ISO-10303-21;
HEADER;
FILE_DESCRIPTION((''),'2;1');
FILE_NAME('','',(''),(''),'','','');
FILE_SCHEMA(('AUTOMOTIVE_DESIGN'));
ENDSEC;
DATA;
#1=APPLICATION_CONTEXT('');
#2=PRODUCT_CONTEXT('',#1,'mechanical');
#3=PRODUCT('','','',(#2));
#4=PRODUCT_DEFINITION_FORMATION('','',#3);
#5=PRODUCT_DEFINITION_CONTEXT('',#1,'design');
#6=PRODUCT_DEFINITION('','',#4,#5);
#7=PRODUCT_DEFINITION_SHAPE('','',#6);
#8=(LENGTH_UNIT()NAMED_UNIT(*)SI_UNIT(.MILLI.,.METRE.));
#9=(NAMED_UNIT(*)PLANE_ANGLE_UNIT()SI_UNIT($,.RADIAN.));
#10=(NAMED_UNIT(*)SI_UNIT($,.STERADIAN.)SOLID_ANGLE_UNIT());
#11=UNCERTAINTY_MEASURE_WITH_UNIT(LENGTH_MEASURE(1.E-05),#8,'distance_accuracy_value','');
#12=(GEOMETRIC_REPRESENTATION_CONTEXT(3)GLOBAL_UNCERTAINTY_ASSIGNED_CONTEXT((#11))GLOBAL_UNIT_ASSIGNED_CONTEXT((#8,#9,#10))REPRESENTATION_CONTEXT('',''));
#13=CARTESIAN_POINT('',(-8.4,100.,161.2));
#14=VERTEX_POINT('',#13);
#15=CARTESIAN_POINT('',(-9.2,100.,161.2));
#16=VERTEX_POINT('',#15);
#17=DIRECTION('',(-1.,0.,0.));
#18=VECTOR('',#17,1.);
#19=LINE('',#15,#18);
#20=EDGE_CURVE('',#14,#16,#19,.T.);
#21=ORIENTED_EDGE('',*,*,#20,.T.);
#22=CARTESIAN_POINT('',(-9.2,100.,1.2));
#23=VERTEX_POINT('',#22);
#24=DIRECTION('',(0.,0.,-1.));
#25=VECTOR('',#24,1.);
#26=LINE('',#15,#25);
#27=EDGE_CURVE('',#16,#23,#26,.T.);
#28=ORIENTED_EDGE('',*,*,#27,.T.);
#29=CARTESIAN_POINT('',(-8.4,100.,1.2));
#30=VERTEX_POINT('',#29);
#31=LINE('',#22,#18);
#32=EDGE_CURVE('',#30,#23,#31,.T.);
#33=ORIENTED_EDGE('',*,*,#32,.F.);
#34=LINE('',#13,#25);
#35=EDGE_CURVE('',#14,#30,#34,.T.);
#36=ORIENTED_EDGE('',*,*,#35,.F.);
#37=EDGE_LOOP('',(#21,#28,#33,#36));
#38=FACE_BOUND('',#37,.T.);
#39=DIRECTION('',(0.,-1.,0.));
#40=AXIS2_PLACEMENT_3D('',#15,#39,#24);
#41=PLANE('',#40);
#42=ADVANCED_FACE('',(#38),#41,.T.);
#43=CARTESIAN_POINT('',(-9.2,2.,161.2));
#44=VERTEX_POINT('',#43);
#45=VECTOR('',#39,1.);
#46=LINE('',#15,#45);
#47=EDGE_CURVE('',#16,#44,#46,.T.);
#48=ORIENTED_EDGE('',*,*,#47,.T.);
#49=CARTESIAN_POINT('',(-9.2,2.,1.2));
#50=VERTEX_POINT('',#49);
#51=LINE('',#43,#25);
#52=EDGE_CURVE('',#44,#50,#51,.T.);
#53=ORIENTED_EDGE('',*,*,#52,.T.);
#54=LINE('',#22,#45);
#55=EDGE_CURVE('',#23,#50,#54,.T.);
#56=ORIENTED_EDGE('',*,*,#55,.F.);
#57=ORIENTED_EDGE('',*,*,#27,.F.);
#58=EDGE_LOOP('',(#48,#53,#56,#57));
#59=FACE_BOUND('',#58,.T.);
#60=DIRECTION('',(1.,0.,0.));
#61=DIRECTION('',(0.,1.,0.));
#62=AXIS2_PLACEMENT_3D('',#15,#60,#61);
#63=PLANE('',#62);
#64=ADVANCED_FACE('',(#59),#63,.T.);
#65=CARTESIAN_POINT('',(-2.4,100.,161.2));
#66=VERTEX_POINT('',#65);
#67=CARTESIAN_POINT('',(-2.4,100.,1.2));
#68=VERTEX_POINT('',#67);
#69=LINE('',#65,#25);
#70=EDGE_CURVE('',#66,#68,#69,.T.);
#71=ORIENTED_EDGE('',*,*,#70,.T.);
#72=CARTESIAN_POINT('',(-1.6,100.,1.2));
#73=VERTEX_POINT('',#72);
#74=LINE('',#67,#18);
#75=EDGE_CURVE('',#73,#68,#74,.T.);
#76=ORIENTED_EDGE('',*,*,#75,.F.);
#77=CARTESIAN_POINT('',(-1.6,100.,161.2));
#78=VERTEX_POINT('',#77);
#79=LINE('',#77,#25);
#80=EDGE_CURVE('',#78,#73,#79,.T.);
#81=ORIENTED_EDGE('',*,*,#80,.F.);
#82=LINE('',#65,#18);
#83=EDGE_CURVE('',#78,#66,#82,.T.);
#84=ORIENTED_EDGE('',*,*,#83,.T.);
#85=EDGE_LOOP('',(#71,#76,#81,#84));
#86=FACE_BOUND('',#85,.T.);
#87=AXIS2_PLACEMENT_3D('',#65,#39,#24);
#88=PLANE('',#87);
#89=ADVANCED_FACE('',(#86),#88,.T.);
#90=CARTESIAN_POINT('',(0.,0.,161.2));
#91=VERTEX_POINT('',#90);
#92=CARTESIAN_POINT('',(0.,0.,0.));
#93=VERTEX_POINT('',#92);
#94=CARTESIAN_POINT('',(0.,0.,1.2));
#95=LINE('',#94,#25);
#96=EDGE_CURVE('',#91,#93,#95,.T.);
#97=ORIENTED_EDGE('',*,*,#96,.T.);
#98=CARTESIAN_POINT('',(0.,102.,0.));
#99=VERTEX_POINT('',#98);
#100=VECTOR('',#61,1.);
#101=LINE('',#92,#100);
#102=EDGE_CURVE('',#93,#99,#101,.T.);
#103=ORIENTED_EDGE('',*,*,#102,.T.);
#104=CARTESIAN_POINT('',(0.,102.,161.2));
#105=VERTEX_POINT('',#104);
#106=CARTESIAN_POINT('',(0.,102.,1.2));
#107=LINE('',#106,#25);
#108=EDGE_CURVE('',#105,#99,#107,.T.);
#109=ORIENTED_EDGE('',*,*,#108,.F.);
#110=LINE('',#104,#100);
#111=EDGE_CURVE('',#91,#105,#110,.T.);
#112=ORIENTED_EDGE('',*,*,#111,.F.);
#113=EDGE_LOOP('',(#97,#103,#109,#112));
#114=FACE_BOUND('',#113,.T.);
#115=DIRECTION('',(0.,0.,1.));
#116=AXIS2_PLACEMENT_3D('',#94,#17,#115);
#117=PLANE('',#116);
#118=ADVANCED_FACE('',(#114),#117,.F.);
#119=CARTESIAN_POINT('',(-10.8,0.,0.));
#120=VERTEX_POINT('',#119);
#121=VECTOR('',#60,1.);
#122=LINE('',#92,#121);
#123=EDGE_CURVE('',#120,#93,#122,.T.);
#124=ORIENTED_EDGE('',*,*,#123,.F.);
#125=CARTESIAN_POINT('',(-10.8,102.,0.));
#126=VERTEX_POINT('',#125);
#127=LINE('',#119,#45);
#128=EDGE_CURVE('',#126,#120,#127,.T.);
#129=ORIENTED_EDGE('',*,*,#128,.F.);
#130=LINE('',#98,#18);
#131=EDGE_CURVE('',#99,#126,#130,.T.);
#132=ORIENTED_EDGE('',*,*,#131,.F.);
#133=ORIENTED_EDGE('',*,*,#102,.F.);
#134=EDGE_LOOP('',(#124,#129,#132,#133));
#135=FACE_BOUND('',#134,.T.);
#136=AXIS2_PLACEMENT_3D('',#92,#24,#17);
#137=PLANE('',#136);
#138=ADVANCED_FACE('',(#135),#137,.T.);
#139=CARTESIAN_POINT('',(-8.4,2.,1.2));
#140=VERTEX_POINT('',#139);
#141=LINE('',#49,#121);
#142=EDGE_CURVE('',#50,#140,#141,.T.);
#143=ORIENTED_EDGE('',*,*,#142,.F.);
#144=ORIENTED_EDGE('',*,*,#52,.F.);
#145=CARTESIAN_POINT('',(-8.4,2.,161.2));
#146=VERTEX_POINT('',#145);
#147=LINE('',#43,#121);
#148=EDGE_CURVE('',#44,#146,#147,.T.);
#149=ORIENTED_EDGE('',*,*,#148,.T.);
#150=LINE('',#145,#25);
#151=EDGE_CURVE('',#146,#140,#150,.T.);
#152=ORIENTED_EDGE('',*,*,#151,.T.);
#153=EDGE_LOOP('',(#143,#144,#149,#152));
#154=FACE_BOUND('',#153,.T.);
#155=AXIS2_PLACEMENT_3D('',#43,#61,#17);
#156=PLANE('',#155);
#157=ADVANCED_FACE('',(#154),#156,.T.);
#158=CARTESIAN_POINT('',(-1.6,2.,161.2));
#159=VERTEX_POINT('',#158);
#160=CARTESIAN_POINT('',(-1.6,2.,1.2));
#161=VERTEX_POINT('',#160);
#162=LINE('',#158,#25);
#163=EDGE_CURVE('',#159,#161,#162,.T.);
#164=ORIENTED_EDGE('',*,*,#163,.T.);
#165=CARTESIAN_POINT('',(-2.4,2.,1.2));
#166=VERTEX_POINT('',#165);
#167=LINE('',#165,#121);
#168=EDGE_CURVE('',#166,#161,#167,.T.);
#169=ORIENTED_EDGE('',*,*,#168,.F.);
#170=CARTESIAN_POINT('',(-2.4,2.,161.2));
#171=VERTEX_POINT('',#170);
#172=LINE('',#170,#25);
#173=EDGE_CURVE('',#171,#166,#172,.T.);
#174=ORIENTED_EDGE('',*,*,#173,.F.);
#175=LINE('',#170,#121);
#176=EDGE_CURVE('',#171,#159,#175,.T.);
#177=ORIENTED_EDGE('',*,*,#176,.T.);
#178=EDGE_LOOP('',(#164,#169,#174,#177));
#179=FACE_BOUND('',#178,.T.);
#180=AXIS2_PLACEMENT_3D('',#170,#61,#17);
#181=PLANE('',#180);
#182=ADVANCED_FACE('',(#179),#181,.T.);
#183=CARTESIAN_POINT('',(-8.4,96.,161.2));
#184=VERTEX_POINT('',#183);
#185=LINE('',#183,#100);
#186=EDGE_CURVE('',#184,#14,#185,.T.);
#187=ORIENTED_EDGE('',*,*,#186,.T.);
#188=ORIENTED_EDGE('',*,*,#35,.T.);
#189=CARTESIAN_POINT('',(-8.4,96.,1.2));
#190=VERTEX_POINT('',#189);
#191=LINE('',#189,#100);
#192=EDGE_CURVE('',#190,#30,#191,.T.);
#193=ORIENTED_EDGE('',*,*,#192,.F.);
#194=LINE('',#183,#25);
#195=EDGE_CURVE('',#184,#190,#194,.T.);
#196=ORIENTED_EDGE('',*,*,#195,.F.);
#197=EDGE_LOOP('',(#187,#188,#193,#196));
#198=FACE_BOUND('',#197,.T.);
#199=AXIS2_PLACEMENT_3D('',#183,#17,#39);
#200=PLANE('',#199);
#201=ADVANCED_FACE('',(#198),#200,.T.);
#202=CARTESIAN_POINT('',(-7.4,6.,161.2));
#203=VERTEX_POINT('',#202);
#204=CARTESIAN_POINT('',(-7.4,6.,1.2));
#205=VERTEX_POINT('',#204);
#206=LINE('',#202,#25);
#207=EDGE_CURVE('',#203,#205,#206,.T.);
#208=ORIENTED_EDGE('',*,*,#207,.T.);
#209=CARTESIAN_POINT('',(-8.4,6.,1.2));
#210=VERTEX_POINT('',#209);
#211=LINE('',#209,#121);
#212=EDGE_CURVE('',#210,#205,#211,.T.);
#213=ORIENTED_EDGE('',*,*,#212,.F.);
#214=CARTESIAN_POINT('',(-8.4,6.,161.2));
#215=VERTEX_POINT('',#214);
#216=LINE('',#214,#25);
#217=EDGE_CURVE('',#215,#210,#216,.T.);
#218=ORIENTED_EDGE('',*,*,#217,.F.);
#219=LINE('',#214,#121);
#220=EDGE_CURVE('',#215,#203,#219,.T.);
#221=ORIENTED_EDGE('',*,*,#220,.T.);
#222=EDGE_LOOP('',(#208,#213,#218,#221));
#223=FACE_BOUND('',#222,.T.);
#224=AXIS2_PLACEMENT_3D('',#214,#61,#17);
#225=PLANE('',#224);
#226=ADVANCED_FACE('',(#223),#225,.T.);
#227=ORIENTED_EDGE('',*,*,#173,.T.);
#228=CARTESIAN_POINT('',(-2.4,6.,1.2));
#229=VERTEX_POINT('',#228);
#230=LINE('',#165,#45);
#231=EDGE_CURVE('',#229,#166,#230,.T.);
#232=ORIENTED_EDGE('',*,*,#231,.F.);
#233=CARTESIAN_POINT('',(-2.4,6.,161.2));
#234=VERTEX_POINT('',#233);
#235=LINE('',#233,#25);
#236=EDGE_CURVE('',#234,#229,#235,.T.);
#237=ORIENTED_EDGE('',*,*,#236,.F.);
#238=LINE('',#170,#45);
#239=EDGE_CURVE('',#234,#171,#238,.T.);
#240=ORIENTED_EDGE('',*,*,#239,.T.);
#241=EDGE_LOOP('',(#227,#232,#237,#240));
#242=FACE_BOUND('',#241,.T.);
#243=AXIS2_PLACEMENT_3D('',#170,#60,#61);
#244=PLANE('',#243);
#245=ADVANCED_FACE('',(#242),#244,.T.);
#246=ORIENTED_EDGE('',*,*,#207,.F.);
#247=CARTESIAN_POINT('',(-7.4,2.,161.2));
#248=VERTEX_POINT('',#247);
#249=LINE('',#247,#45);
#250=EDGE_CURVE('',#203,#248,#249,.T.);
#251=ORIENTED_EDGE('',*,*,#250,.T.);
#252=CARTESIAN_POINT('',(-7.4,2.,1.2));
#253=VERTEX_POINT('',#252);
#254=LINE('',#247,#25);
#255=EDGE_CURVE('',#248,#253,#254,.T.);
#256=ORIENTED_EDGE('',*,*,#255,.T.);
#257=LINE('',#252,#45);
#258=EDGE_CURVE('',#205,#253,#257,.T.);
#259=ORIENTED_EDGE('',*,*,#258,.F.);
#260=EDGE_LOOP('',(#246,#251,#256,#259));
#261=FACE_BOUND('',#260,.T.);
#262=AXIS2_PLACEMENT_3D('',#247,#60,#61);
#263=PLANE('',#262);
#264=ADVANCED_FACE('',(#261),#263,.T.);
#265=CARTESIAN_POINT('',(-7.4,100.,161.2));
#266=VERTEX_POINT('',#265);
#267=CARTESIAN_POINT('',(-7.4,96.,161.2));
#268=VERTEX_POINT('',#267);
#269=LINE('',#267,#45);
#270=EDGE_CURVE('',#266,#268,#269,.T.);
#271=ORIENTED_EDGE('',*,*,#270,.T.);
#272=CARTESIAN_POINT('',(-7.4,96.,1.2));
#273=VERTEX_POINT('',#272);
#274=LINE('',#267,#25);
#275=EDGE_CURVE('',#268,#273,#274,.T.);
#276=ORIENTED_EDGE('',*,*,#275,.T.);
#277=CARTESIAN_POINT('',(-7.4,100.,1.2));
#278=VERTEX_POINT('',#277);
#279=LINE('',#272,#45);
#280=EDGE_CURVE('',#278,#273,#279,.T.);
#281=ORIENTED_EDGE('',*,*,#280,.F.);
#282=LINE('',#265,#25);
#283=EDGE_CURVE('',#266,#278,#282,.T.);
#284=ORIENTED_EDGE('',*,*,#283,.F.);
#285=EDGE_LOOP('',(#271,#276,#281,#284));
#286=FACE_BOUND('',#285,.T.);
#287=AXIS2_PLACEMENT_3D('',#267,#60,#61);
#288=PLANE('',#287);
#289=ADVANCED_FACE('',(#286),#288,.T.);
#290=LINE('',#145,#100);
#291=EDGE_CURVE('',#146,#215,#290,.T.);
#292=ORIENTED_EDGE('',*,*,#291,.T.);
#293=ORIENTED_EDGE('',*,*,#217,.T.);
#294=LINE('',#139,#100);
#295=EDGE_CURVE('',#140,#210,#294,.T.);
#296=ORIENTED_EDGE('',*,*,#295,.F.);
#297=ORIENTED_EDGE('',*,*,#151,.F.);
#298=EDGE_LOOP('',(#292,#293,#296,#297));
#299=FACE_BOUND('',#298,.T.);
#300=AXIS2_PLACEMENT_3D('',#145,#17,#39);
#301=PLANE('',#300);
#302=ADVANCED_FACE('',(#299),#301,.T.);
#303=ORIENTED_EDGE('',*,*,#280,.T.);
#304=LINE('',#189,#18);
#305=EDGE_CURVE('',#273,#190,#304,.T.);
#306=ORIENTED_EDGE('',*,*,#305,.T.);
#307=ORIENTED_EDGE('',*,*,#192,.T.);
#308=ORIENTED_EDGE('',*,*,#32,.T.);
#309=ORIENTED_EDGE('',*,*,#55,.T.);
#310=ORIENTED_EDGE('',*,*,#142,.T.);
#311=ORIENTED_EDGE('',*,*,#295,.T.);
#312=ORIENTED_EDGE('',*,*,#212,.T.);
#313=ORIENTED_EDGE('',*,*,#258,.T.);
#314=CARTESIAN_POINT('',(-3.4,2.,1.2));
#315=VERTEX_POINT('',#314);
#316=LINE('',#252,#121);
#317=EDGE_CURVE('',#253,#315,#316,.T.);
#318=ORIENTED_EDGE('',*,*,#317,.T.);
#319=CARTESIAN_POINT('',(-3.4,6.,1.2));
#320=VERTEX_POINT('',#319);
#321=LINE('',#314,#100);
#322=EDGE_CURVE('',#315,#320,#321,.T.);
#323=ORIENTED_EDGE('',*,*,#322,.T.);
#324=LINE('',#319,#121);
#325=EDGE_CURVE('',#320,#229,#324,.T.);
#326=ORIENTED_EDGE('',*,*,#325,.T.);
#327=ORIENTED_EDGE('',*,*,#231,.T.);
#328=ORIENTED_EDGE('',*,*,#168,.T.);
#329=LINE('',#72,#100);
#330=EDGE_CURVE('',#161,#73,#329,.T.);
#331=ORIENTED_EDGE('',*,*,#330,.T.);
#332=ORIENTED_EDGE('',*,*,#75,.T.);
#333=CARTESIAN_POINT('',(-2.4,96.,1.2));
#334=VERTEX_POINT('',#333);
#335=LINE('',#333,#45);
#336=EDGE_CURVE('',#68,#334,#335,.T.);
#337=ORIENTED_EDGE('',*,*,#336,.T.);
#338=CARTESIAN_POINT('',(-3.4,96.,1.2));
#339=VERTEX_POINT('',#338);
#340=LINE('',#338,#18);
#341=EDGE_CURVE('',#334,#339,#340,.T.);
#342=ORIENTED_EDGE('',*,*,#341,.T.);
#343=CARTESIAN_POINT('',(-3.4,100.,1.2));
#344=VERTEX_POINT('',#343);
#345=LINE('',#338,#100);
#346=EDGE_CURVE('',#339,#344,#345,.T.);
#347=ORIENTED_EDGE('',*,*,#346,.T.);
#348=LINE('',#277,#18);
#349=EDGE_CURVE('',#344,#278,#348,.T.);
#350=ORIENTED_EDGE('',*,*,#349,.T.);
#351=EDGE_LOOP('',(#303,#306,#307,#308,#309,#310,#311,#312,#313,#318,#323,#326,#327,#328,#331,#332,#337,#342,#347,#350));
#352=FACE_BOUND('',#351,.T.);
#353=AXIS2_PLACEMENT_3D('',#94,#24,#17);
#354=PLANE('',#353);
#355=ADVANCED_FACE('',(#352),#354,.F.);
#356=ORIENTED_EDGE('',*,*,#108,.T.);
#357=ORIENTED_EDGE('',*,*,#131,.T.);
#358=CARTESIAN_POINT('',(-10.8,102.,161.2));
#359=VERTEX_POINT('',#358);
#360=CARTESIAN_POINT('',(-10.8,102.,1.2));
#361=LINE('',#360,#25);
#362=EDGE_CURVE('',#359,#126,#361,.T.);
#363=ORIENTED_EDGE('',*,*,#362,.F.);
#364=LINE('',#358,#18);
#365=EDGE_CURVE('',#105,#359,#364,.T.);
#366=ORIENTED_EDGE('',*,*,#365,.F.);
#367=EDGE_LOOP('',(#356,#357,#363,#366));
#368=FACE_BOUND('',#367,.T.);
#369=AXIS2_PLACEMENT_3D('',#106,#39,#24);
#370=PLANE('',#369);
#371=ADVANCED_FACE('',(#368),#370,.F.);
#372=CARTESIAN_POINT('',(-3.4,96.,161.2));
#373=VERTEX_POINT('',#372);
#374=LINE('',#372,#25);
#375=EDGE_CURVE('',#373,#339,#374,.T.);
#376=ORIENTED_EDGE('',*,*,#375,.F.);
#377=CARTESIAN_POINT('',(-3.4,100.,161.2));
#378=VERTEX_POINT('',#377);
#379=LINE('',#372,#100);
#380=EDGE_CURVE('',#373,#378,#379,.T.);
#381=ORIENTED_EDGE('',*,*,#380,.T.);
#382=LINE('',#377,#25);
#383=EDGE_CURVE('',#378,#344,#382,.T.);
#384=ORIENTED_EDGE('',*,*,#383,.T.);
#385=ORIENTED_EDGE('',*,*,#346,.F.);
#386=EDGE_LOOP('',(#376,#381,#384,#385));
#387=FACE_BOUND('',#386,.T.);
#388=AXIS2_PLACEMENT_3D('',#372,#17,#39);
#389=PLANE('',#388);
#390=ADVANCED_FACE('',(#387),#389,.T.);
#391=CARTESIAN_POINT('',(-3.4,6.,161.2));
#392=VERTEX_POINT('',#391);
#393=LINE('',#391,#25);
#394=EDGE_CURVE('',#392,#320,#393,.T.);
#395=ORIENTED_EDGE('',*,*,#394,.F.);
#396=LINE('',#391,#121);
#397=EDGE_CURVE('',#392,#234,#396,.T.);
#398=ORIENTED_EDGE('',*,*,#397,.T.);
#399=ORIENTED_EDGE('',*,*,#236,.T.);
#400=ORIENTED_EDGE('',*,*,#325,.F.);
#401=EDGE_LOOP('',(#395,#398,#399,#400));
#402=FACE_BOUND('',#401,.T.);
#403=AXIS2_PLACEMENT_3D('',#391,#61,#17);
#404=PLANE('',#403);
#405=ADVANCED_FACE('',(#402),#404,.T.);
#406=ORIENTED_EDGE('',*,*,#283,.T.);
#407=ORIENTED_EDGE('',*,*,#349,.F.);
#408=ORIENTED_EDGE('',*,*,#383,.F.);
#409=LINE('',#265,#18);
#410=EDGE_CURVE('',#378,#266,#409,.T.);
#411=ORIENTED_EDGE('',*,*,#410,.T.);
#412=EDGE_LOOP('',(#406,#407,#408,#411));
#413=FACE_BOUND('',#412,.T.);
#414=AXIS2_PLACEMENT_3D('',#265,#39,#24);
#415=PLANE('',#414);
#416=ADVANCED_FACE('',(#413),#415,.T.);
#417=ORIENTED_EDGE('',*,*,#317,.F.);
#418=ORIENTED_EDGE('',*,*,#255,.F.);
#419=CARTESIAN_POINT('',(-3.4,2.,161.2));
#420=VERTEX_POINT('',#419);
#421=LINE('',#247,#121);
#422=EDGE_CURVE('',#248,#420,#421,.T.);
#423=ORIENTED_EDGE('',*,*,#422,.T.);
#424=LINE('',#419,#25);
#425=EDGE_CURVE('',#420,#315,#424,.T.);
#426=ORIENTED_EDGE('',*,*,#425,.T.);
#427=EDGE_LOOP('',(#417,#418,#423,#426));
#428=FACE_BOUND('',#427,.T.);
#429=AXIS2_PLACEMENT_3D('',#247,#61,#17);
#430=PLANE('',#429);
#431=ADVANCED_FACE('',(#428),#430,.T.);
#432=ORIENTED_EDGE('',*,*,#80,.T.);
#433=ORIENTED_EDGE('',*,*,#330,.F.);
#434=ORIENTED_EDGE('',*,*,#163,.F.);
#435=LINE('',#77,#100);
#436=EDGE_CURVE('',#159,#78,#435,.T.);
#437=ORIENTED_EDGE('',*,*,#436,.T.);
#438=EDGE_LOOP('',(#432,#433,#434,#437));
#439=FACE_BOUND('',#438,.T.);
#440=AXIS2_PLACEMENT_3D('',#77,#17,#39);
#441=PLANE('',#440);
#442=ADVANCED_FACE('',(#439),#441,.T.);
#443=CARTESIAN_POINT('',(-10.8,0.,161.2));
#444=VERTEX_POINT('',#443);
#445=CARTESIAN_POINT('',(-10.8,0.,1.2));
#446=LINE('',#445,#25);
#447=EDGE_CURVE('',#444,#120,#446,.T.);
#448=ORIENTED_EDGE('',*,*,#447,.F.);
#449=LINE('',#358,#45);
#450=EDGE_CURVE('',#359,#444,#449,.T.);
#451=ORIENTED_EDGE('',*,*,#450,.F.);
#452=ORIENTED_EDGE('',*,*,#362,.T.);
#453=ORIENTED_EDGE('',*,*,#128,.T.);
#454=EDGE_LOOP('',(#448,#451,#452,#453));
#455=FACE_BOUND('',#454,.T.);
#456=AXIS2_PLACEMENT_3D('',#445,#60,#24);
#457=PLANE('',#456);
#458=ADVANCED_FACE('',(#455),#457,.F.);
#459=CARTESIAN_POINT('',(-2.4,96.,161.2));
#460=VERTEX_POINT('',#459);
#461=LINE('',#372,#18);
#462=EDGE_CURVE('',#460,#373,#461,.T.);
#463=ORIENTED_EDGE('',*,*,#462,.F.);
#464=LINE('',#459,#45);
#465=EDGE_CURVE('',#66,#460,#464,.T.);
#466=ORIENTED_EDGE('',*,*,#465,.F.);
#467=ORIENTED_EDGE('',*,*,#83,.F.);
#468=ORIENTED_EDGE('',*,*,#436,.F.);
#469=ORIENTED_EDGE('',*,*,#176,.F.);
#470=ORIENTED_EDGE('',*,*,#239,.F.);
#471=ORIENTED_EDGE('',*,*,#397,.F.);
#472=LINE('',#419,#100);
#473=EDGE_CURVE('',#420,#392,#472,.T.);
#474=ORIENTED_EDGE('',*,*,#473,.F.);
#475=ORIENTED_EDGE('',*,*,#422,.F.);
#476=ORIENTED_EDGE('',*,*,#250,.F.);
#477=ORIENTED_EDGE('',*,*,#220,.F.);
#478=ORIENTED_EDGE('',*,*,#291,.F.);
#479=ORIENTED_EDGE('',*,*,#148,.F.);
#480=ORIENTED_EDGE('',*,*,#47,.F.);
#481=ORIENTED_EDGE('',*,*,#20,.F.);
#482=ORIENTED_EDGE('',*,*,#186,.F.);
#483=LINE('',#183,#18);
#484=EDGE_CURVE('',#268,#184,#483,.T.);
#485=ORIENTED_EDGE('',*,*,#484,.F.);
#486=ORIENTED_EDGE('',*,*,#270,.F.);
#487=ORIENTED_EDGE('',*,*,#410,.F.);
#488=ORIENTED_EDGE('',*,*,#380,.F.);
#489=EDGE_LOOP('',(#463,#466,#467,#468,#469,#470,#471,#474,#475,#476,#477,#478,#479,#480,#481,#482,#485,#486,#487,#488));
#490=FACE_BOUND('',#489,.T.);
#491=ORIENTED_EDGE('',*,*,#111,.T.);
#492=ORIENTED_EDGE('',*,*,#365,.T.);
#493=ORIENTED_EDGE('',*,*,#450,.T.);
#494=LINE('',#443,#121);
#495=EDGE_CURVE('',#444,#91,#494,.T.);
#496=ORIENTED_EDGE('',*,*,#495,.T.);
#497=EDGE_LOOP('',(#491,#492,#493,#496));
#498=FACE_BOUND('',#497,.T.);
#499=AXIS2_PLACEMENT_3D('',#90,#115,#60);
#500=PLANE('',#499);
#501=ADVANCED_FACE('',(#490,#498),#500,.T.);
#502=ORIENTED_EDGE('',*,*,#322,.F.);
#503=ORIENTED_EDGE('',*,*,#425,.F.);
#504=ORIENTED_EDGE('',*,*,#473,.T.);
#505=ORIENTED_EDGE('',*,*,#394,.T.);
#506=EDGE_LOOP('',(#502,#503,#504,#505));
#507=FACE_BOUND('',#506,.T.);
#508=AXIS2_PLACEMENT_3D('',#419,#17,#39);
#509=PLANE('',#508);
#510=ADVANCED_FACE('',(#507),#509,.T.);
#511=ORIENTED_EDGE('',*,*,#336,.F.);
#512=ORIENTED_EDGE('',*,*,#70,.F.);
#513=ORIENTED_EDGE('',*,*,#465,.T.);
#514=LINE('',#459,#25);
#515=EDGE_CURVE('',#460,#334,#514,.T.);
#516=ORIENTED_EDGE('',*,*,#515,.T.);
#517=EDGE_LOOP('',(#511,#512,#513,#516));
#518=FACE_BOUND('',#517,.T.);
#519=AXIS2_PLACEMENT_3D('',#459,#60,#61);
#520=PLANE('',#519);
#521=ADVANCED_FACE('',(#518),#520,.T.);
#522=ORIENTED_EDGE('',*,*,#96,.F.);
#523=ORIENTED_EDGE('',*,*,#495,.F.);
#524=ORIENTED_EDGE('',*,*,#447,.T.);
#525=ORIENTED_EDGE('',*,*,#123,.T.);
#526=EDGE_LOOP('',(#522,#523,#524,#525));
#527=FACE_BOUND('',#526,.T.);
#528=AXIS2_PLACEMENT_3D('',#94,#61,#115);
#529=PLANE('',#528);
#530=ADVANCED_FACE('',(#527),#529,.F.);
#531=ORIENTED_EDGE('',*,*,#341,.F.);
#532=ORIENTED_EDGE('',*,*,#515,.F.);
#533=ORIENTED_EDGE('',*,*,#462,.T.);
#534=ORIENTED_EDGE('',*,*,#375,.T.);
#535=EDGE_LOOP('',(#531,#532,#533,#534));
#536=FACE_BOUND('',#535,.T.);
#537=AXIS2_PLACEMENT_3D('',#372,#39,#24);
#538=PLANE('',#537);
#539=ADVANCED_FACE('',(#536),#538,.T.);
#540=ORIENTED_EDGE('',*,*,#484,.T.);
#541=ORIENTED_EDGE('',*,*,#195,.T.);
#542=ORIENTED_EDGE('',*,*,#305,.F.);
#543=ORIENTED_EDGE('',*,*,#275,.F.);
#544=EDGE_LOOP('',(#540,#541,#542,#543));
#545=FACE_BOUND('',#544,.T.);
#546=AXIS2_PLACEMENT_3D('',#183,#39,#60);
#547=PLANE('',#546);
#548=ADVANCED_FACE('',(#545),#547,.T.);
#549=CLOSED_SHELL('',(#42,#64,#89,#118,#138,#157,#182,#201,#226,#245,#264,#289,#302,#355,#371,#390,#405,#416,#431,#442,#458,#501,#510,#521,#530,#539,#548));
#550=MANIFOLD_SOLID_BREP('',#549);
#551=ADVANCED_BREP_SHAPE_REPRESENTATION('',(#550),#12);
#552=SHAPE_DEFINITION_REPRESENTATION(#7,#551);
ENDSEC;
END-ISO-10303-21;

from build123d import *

# Parameters (mm, degrees)
SKETCH1_W           = 102
SKETCH1_H           = 10.8
BOSS_EXTRUDE1_DEPTH = 1.2
SKETCH2_W           = 10.8
SKETCH2_H           = 102
BOSS_EXTRUDE2_DEPTH = 160


with BuildPart() as part:
    # Sketch1 → Boss-Extrude1 (new body)
    with BuildSketch(Plane(origin=(0, 0, 0), x_dir=(0, 1, 0), z_dir=(0, 0, 1))):
        with Locations((51, 5.4)):
            Rectangle(SKETCH1_W, SKETCH1_H)
    extrude(amount=BOSS_EXTRUDE1_DEPTH)

    # Sketch2 → Boss-Extrude2 (add)
    with BuildSketch(Plane.XY.offset(1.2)):
        with Locations((-5.4, 51)):
            Rectangle(SKETCH2_W, SKETCH2_H)
        Polygon((-9.2, 100), (-8.4, 100), (-8.4, 96), (-7.4, 96), (-7.4, 100), (-3.4, 100), (-3.4, 96), (-2.4, 96), (-2.4, 100), (-1.6, 100), (-1.6, 2), (-2.4, 2), (-2.4, 6), (-3.4, 6), (-3.4, 2), (-7.4, 2), (-7.4, 6), (-8.4, 6), (-8.4, 2), (-9.2, 2), align=None, mode=Mode.SUBTRACT)
    extrude(amount=BOSS_EXTRUDE2_DEPTH)


solid = part.part
